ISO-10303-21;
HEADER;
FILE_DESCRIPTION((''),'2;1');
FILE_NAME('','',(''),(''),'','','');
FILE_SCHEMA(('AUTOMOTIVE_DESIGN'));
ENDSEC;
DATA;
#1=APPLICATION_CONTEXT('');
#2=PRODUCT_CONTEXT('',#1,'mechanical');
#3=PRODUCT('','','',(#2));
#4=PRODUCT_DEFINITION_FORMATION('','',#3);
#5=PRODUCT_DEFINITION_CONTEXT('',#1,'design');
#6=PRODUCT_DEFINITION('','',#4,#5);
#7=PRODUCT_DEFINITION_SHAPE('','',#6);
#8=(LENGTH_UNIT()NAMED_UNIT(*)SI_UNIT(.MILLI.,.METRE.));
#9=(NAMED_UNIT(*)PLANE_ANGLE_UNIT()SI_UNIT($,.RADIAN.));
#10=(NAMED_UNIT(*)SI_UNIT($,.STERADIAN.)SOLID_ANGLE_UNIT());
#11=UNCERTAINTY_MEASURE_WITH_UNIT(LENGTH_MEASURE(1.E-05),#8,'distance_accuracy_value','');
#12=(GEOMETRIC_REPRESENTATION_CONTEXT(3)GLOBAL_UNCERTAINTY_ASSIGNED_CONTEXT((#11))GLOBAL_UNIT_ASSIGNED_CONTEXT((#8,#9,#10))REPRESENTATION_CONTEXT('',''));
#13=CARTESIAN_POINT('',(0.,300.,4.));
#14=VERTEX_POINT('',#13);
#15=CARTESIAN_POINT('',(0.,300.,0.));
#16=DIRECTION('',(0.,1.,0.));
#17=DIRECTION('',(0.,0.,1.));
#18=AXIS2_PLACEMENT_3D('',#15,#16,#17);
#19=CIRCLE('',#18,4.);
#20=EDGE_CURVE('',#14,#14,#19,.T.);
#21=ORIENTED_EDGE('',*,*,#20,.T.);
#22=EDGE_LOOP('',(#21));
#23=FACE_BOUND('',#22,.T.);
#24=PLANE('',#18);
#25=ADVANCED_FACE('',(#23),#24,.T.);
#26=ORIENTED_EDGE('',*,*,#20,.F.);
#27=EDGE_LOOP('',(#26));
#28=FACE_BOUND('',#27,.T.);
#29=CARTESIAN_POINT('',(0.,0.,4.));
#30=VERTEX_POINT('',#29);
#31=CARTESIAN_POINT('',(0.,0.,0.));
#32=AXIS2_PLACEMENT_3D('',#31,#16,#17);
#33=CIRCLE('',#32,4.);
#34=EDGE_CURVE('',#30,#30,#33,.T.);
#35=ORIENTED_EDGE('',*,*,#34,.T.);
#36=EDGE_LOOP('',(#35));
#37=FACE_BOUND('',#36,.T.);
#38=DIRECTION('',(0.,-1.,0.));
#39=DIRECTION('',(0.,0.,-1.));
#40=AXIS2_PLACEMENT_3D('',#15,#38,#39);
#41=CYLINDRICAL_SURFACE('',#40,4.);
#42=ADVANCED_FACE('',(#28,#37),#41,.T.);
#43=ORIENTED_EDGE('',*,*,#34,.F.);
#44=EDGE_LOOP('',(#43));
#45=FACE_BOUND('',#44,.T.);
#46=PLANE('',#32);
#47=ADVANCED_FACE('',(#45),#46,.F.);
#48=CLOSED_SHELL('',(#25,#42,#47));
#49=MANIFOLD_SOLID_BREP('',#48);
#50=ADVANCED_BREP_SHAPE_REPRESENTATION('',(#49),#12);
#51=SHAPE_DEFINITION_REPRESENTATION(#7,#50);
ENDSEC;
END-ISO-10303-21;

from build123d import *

# Parameters (mm, degrees)
SKETCH1_R           = 4
BOSS_EXTRUDE1_DEPTH = 300


with BuildPart() as part:
    # Sketch1 → Boss-Extrude1 (new body)
    with BuildSketch(Plane(origin=(0, 0, 0), x_dir=(1, 0, 0), z_dir=(0, 1, 0))):
        Circle(SKETCH1_R)
    extrude(amount=BOSS_EXTRUDE1_DEPTH)


solid = part.part
